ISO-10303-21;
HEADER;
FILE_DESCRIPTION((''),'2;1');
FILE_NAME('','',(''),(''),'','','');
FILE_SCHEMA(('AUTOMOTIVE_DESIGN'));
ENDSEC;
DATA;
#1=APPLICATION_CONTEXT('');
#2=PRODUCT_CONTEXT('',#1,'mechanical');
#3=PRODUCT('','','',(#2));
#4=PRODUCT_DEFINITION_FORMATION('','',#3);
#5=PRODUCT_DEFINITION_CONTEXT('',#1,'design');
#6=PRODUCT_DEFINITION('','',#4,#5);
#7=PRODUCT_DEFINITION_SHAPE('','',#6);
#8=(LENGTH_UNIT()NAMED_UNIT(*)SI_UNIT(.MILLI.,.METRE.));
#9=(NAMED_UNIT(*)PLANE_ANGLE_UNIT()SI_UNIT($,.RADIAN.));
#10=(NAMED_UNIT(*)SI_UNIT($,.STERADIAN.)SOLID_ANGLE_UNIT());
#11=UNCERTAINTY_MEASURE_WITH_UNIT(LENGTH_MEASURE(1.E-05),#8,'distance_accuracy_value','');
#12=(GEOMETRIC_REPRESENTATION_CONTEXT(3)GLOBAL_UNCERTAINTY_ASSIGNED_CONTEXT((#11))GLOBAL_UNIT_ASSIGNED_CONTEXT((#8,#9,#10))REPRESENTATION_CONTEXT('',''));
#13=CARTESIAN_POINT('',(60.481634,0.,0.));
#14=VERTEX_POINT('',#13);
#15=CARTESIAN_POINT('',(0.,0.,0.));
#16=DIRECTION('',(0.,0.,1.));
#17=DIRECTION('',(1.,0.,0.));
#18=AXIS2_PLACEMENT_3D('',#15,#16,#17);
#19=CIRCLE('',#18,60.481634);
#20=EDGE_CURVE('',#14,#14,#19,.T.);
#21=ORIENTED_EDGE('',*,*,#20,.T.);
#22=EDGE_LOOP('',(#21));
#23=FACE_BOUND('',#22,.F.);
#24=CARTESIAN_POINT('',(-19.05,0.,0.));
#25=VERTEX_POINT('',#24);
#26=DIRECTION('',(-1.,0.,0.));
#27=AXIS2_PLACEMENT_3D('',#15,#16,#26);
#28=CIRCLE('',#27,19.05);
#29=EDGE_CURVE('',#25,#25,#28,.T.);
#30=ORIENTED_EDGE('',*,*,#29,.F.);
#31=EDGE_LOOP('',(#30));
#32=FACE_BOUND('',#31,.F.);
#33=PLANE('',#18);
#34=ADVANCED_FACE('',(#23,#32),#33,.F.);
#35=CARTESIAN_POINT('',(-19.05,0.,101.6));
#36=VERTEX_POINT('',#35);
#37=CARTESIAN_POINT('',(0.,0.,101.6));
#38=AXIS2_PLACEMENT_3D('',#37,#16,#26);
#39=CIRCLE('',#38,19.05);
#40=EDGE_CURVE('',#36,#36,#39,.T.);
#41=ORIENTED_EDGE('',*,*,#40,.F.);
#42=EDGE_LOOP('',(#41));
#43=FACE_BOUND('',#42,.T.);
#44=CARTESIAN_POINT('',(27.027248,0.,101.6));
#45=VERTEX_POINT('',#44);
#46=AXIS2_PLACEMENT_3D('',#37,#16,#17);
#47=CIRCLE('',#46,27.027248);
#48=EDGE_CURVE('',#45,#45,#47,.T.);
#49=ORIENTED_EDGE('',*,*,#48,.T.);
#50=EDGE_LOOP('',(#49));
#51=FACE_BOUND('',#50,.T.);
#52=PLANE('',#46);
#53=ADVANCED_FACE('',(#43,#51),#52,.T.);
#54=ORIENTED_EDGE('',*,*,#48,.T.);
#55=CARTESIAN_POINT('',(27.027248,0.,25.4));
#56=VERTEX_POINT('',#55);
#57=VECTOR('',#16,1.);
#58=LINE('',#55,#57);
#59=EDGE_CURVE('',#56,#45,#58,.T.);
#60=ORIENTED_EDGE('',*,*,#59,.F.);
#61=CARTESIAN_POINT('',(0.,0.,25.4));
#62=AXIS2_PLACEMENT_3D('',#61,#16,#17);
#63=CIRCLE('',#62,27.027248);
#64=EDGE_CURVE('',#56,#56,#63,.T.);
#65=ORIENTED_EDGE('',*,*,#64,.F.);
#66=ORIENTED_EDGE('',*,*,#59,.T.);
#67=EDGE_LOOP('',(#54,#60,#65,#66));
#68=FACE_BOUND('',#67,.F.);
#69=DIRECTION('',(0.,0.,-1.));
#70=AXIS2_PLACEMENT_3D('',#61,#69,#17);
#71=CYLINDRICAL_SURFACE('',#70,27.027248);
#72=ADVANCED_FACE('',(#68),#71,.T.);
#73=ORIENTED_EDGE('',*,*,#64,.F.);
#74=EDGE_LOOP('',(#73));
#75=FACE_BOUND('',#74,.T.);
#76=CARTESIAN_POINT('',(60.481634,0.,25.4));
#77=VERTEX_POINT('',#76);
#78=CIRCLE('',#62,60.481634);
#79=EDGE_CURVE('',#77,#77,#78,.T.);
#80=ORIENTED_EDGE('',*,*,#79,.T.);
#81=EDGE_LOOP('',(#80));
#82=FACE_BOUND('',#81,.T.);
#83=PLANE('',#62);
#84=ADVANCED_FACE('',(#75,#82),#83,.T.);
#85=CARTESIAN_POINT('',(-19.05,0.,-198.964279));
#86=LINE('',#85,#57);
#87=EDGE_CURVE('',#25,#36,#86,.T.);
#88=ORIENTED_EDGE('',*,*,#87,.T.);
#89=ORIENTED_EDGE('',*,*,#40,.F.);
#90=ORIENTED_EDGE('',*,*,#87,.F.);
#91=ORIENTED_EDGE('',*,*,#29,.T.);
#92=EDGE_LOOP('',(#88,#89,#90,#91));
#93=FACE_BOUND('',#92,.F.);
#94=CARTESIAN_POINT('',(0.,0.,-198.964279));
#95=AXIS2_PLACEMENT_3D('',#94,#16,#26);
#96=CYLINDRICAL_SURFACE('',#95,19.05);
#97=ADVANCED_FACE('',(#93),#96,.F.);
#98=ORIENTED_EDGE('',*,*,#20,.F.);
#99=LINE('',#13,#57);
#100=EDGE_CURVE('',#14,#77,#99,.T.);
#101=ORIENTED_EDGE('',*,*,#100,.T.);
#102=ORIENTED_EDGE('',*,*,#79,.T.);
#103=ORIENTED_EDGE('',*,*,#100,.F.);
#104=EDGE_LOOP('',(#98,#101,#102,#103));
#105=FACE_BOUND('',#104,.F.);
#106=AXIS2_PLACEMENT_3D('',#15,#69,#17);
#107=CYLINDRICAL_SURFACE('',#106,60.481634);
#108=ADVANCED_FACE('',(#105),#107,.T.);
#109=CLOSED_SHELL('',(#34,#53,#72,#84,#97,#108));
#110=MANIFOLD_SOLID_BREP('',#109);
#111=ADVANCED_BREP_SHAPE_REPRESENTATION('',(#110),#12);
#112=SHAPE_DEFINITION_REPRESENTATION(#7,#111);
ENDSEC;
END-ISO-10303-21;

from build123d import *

# Parameters (mm, degrees)
F0_R     = 60.481634
F1_DEPTH = 25.4
F2_R     = 27.027248
F3_DEPTH = 76.2
F5_D     = 38.1


with BuildPart() as f1:
    # F0 (on Top) → F1 (new body)
    with BuildSketch(Plane.XY):
        Circle(F0_R)
    extrude(amount=F1_DEPTH)

    # F2 (on face) → F3 (join)
    with BuildSketch(Plane.XY.offset(25.4)):
        Circle(F2_R)
    extrude(amount=F3_DEPTH)

    # F5 (through all)
    with Locations(Plane(origin=(0, 0, 0), x_dir=(1, 0, 0), z_dir=(0, 0, -1))):
        with Locations((0, 0)):
            Hole(F5_D / 2)


solid = f1.part
